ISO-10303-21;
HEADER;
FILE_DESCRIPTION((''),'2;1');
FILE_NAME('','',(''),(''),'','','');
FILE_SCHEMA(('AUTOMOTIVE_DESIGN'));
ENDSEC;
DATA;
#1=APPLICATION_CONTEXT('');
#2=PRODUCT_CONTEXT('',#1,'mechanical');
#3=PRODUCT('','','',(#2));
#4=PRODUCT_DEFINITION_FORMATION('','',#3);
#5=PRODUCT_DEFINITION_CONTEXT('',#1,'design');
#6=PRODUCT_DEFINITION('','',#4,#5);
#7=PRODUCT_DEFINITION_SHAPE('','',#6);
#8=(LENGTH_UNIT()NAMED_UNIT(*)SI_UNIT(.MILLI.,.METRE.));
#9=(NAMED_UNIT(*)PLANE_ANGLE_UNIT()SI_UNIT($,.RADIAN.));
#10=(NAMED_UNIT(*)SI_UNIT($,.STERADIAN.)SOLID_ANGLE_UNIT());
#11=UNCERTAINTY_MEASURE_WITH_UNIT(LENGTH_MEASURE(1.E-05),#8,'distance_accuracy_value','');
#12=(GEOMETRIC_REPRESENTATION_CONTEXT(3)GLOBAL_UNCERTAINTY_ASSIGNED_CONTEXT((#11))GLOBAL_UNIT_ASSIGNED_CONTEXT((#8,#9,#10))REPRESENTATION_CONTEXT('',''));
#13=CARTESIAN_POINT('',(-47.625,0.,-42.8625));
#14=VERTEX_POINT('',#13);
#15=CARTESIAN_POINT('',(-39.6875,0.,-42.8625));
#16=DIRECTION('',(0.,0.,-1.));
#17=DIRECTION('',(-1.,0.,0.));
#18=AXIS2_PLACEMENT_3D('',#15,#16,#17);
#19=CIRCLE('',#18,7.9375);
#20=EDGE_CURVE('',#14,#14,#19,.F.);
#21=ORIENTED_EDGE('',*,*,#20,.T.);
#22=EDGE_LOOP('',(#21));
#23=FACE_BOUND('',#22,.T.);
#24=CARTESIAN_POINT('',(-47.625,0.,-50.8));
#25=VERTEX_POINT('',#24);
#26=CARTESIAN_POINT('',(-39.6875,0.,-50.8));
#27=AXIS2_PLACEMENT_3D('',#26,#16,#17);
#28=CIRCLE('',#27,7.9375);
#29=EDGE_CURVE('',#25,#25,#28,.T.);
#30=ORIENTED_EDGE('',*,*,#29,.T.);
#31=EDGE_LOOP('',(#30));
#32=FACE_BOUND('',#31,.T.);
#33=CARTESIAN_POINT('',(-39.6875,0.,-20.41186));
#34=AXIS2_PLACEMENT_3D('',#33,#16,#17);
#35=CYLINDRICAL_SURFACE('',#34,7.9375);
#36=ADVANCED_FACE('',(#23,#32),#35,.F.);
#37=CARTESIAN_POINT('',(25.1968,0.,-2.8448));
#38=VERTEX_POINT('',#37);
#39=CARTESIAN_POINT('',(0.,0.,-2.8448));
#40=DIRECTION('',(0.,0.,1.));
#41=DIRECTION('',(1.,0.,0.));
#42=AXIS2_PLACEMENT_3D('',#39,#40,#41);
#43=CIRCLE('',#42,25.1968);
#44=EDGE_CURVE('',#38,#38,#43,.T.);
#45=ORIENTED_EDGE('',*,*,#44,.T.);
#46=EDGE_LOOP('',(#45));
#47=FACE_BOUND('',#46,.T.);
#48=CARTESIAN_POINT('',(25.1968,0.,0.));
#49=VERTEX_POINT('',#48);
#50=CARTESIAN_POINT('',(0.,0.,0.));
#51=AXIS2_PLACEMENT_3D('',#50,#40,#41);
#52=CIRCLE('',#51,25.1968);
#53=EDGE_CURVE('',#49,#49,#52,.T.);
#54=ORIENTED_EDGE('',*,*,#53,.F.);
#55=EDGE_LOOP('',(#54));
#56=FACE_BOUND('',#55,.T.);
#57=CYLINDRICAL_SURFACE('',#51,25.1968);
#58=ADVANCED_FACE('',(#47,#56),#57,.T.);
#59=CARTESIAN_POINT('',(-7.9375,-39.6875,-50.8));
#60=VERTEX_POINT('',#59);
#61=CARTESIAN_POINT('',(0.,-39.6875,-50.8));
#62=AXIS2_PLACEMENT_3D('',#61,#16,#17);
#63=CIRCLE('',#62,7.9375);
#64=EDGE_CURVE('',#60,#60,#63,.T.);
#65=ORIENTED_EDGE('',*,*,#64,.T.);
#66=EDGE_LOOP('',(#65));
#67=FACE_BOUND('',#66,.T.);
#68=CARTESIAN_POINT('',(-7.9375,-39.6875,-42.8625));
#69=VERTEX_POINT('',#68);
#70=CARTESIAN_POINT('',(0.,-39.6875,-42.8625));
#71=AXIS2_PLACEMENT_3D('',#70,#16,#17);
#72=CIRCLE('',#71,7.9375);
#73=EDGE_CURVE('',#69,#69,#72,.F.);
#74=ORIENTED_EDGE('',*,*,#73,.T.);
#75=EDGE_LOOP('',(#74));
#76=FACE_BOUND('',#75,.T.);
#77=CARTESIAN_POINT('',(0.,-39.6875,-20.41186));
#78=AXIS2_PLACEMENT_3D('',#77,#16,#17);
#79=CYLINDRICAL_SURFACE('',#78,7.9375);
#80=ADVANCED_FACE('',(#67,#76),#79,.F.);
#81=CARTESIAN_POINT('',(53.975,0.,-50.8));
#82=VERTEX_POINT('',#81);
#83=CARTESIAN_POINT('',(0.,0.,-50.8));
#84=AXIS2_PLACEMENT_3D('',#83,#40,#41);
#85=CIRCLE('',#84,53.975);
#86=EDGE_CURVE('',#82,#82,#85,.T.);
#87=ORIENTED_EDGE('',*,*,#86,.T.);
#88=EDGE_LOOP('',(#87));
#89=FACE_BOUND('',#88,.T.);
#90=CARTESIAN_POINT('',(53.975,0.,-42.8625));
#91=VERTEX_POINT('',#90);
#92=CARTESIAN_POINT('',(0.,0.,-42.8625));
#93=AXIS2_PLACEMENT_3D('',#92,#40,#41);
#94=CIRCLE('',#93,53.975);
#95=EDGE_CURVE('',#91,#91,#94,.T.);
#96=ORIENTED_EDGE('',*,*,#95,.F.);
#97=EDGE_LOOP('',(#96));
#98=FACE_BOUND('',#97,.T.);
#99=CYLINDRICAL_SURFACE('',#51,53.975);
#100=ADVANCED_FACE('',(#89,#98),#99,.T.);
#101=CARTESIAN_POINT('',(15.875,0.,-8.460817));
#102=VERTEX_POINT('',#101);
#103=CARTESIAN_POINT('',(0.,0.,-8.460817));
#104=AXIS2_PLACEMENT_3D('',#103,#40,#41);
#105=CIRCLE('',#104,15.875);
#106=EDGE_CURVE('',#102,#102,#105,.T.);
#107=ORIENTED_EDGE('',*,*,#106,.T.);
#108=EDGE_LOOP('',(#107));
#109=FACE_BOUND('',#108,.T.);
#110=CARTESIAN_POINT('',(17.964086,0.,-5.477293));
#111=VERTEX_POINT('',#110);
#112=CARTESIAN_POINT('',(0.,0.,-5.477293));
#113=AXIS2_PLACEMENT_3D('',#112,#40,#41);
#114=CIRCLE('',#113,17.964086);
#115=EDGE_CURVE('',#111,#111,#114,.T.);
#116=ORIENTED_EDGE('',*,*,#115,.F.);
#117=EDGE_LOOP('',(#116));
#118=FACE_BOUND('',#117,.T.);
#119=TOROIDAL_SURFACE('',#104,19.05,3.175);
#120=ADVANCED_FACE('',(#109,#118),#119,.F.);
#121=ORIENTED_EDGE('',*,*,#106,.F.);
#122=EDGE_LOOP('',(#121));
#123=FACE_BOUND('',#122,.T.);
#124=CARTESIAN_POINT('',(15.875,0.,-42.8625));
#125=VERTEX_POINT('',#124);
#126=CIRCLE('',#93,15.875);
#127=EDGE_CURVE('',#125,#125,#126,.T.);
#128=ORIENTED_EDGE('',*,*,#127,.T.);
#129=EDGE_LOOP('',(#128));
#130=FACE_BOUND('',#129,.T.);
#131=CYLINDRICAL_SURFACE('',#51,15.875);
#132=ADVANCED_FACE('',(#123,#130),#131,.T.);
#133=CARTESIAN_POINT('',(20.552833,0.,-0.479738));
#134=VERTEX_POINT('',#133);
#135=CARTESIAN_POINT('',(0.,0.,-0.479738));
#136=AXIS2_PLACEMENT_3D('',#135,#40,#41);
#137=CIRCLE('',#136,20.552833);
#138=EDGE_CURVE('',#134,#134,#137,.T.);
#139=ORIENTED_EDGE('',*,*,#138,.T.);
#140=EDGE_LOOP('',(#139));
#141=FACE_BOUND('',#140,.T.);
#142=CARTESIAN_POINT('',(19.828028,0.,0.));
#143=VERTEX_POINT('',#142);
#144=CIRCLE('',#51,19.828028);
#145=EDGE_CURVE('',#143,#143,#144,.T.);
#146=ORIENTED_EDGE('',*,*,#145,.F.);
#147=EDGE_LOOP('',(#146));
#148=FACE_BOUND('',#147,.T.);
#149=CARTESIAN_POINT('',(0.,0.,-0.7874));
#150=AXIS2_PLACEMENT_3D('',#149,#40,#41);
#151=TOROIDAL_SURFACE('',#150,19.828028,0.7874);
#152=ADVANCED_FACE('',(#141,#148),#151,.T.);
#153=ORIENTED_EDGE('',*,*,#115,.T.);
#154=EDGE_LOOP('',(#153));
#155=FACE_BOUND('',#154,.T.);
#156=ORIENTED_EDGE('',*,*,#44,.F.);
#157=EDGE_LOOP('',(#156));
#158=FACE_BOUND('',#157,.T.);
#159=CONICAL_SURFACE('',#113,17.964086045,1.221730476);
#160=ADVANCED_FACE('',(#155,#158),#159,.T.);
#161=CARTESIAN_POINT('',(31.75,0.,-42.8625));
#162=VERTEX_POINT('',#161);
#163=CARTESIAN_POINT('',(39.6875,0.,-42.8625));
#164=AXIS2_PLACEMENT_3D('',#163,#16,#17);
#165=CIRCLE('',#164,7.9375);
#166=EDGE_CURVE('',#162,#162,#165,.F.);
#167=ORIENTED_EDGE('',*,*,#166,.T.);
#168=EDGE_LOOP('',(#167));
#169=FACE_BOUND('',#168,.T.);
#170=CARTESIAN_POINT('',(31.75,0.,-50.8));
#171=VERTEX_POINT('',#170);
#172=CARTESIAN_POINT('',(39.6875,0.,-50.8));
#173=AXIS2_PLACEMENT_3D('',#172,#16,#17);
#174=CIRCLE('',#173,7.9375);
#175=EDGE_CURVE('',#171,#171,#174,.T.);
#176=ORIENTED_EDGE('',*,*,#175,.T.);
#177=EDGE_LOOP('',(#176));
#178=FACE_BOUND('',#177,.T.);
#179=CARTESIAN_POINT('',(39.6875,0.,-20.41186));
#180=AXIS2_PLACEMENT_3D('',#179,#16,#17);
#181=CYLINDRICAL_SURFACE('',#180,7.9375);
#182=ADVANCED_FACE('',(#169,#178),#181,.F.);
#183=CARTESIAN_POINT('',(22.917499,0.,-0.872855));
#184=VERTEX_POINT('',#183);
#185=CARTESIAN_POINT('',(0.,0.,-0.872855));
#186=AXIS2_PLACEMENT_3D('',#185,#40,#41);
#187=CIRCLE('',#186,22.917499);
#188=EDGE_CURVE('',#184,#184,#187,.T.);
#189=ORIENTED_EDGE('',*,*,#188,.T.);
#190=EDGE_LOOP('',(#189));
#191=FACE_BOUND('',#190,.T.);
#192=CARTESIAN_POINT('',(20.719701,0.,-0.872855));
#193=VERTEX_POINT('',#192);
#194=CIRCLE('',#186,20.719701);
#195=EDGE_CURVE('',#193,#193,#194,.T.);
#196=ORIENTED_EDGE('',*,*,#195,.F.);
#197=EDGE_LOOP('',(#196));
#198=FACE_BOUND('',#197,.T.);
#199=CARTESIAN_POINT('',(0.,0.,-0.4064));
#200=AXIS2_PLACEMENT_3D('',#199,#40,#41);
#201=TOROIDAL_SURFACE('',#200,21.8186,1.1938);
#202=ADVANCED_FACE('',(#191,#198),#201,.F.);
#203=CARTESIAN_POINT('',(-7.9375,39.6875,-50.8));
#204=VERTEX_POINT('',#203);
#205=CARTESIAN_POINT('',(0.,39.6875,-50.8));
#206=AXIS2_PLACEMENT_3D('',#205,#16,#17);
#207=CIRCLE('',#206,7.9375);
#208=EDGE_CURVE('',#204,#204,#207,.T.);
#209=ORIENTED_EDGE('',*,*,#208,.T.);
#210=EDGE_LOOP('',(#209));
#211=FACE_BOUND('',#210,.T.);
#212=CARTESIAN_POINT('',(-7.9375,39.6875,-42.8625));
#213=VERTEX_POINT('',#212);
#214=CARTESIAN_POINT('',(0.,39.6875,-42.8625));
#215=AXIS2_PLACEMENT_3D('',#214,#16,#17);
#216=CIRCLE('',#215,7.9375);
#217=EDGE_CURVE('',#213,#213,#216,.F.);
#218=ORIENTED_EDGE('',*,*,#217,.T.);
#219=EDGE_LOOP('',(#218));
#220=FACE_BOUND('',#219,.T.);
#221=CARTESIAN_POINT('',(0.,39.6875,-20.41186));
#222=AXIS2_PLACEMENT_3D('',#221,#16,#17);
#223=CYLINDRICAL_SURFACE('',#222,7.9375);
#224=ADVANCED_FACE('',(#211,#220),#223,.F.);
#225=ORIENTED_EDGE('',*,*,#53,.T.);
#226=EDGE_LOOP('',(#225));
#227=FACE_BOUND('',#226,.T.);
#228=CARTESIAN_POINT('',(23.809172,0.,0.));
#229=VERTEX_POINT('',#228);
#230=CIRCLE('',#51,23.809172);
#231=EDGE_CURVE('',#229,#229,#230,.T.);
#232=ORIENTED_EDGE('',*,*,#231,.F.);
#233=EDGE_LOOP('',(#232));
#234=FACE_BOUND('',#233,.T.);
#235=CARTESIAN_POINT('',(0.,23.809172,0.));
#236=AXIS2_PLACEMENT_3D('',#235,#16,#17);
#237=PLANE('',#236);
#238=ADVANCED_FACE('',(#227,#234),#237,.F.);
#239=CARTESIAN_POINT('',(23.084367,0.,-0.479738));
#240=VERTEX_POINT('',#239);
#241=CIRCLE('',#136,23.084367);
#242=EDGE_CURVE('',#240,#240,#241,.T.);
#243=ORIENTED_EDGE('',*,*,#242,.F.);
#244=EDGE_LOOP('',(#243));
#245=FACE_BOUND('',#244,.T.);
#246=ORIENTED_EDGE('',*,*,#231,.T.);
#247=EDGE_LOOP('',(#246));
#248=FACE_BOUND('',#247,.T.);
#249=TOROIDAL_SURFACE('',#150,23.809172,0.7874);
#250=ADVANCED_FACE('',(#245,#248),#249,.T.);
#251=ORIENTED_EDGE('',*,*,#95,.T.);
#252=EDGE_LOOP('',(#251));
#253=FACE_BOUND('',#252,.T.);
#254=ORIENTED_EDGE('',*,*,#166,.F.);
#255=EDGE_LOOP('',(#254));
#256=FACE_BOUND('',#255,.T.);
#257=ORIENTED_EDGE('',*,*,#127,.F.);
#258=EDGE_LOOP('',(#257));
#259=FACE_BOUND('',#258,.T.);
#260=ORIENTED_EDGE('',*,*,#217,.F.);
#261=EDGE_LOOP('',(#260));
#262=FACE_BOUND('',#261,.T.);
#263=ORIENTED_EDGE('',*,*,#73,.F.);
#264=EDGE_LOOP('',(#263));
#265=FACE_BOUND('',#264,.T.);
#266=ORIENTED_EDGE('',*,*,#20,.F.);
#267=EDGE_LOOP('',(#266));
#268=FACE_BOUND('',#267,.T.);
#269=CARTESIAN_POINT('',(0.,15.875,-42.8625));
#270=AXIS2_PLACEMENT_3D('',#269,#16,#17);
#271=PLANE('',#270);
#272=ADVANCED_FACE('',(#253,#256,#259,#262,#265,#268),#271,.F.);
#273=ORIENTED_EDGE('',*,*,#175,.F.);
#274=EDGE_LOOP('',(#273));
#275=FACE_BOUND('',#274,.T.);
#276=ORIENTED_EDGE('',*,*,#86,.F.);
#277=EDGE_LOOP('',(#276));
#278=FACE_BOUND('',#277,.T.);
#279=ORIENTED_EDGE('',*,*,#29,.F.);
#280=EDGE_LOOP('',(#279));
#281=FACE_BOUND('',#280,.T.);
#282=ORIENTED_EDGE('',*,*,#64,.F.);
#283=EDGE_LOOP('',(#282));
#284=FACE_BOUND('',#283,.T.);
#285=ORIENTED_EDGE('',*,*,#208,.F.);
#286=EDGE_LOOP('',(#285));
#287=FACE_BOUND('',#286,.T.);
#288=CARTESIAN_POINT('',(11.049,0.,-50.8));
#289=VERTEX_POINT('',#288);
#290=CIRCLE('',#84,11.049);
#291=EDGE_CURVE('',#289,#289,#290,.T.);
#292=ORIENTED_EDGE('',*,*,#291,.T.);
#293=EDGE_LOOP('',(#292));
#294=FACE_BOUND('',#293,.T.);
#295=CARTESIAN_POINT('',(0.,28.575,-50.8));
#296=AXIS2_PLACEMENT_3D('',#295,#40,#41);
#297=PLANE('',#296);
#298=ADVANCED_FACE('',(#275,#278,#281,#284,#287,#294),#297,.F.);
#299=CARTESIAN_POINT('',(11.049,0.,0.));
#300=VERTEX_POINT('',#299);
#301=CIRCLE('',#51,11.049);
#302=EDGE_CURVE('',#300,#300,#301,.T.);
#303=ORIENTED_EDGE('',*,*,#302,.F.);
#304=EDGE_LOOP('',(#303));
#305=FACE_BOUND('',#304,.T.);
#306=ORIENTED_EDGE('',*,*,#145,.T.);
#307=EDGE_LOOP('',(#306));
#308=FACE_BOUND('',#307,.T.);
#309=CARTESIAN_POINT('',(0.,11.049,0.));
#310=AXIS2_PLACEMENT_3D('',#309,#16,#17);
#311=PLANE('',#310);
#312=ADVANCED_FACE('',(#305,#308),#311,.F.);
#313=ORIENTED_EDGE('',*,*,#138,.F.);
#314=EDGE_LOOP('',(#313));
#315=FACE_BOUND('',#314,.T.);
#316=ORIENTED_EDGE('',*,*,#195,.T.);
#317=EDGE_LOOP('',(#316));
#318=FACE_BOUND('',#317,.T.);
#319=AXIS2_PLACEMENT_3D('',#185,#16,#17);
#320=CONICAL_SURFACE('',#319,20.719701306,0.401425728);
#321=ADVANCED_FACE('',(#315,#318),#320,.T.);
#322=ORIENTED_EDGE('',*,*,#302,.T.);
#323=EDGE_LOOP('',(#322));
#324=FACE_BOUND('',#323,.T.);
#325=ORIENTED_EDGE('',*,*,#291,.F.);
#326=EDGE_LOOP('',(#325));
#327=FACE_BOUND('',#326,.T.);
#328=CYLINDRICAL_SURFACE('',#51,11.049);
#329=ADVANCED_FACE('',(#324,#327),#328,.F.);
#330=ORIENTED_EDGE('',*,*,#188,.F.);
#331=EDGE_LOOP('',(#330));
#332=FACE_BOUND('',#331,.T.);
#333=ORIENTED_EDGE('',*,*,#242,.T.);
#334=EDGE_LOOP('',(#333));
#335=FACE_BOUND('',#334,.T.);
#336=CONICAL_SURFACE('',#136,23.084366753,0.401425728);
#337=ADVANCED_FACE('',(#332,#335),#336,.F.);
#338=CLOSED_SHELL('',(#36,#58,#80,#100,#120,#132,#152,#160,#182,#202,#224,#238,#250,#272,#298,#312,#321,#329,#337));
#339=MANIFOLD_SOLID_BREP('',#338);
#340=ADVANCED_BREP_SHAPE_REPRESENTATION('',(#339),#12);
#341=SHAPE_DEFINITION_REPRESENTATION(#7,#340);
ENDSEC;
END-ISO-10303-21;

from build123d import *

# Parameters (mm, degrees)
SKETCH2_R          = 7.9375
CUT_EXTRUDE1_DEPTH = 7.9375


with BuildPart() as part:
    # Sketch1 → Revolve1 (revolve)
    with BuildSketch(Plane(origin=(0, 0, 0), x_dir=(0, 0, -1), z_dir=(1, 0, 0))):
        with BuildLine():
            Line((0, 11.049), (0, 19.828027725))
            ThreePointArc((0, 19.828027725), (0.130798304, 20.262622907), (0.479738309, 20.552833247))
            Line((0.479738309, 20.552833247), (0.872854821, 20.719701306))
            ThreePointArc((0.872854821, 20.719701306), (1.6002, 21.8186), (0.872854821, 22.917498694))
            Line((0.872854821, 22.917498694), (0.479738309, 23.084366753))
            ThreePointArc((0.479738309, 23.084366753), (0.130798304, 23.374577093), (0, 23.809172275))
            Line((0, 23.809172275), (0, 25.1968))
            Line((0, 25.1968), (2.8448, 25.1968))
            Line((2.8448, 25.1968), (5.477292593, 17.964086045))
            ThreePointArc((5.477292593, 17.964086045), (6.639711478, 16.449192259), (8.460816664, 15.875))
            Line((8.460816664, 15.875), (42.8625, 15.875))
            Line((42.8625, 15.875), (42.8625, 53.975))
            Line((42.8625, 53.975), (50.8, 53.975))
            Line((50.8, 53.975), (50.8, 28.575))
            Line((50.8, 28.575), (50.8, 11.049))
            Line((50.8, 11.049), (0, 11.049))
        make_face()
    revolve(axis=Axis((0, 0, 0), (0, 0, -1)))

    # Sketch2 → Cut-Extrude1 (cut)
    with BuildSketch(Plane(origin=(0, 0, -50.8), x_dir=(-1, 0, 0), z_dir=(0, 0, -1))):
        with Locations((0, 39.6875)):
            Circle(SKETCH2_R)
        with Locations((39.6875, 0)):
            Circle(SKETCH2_R)
        with Locations((0, -39.6875)):
            Circle(SKETCH2_R)
        with Locations((-39.6875, 0)):
            Circle(SKETCH2_R)
    extrude(amount=-CUT_EXTRUDE1_DEPTH, mode=Mode.SUBTRACT)


solid = part.part
